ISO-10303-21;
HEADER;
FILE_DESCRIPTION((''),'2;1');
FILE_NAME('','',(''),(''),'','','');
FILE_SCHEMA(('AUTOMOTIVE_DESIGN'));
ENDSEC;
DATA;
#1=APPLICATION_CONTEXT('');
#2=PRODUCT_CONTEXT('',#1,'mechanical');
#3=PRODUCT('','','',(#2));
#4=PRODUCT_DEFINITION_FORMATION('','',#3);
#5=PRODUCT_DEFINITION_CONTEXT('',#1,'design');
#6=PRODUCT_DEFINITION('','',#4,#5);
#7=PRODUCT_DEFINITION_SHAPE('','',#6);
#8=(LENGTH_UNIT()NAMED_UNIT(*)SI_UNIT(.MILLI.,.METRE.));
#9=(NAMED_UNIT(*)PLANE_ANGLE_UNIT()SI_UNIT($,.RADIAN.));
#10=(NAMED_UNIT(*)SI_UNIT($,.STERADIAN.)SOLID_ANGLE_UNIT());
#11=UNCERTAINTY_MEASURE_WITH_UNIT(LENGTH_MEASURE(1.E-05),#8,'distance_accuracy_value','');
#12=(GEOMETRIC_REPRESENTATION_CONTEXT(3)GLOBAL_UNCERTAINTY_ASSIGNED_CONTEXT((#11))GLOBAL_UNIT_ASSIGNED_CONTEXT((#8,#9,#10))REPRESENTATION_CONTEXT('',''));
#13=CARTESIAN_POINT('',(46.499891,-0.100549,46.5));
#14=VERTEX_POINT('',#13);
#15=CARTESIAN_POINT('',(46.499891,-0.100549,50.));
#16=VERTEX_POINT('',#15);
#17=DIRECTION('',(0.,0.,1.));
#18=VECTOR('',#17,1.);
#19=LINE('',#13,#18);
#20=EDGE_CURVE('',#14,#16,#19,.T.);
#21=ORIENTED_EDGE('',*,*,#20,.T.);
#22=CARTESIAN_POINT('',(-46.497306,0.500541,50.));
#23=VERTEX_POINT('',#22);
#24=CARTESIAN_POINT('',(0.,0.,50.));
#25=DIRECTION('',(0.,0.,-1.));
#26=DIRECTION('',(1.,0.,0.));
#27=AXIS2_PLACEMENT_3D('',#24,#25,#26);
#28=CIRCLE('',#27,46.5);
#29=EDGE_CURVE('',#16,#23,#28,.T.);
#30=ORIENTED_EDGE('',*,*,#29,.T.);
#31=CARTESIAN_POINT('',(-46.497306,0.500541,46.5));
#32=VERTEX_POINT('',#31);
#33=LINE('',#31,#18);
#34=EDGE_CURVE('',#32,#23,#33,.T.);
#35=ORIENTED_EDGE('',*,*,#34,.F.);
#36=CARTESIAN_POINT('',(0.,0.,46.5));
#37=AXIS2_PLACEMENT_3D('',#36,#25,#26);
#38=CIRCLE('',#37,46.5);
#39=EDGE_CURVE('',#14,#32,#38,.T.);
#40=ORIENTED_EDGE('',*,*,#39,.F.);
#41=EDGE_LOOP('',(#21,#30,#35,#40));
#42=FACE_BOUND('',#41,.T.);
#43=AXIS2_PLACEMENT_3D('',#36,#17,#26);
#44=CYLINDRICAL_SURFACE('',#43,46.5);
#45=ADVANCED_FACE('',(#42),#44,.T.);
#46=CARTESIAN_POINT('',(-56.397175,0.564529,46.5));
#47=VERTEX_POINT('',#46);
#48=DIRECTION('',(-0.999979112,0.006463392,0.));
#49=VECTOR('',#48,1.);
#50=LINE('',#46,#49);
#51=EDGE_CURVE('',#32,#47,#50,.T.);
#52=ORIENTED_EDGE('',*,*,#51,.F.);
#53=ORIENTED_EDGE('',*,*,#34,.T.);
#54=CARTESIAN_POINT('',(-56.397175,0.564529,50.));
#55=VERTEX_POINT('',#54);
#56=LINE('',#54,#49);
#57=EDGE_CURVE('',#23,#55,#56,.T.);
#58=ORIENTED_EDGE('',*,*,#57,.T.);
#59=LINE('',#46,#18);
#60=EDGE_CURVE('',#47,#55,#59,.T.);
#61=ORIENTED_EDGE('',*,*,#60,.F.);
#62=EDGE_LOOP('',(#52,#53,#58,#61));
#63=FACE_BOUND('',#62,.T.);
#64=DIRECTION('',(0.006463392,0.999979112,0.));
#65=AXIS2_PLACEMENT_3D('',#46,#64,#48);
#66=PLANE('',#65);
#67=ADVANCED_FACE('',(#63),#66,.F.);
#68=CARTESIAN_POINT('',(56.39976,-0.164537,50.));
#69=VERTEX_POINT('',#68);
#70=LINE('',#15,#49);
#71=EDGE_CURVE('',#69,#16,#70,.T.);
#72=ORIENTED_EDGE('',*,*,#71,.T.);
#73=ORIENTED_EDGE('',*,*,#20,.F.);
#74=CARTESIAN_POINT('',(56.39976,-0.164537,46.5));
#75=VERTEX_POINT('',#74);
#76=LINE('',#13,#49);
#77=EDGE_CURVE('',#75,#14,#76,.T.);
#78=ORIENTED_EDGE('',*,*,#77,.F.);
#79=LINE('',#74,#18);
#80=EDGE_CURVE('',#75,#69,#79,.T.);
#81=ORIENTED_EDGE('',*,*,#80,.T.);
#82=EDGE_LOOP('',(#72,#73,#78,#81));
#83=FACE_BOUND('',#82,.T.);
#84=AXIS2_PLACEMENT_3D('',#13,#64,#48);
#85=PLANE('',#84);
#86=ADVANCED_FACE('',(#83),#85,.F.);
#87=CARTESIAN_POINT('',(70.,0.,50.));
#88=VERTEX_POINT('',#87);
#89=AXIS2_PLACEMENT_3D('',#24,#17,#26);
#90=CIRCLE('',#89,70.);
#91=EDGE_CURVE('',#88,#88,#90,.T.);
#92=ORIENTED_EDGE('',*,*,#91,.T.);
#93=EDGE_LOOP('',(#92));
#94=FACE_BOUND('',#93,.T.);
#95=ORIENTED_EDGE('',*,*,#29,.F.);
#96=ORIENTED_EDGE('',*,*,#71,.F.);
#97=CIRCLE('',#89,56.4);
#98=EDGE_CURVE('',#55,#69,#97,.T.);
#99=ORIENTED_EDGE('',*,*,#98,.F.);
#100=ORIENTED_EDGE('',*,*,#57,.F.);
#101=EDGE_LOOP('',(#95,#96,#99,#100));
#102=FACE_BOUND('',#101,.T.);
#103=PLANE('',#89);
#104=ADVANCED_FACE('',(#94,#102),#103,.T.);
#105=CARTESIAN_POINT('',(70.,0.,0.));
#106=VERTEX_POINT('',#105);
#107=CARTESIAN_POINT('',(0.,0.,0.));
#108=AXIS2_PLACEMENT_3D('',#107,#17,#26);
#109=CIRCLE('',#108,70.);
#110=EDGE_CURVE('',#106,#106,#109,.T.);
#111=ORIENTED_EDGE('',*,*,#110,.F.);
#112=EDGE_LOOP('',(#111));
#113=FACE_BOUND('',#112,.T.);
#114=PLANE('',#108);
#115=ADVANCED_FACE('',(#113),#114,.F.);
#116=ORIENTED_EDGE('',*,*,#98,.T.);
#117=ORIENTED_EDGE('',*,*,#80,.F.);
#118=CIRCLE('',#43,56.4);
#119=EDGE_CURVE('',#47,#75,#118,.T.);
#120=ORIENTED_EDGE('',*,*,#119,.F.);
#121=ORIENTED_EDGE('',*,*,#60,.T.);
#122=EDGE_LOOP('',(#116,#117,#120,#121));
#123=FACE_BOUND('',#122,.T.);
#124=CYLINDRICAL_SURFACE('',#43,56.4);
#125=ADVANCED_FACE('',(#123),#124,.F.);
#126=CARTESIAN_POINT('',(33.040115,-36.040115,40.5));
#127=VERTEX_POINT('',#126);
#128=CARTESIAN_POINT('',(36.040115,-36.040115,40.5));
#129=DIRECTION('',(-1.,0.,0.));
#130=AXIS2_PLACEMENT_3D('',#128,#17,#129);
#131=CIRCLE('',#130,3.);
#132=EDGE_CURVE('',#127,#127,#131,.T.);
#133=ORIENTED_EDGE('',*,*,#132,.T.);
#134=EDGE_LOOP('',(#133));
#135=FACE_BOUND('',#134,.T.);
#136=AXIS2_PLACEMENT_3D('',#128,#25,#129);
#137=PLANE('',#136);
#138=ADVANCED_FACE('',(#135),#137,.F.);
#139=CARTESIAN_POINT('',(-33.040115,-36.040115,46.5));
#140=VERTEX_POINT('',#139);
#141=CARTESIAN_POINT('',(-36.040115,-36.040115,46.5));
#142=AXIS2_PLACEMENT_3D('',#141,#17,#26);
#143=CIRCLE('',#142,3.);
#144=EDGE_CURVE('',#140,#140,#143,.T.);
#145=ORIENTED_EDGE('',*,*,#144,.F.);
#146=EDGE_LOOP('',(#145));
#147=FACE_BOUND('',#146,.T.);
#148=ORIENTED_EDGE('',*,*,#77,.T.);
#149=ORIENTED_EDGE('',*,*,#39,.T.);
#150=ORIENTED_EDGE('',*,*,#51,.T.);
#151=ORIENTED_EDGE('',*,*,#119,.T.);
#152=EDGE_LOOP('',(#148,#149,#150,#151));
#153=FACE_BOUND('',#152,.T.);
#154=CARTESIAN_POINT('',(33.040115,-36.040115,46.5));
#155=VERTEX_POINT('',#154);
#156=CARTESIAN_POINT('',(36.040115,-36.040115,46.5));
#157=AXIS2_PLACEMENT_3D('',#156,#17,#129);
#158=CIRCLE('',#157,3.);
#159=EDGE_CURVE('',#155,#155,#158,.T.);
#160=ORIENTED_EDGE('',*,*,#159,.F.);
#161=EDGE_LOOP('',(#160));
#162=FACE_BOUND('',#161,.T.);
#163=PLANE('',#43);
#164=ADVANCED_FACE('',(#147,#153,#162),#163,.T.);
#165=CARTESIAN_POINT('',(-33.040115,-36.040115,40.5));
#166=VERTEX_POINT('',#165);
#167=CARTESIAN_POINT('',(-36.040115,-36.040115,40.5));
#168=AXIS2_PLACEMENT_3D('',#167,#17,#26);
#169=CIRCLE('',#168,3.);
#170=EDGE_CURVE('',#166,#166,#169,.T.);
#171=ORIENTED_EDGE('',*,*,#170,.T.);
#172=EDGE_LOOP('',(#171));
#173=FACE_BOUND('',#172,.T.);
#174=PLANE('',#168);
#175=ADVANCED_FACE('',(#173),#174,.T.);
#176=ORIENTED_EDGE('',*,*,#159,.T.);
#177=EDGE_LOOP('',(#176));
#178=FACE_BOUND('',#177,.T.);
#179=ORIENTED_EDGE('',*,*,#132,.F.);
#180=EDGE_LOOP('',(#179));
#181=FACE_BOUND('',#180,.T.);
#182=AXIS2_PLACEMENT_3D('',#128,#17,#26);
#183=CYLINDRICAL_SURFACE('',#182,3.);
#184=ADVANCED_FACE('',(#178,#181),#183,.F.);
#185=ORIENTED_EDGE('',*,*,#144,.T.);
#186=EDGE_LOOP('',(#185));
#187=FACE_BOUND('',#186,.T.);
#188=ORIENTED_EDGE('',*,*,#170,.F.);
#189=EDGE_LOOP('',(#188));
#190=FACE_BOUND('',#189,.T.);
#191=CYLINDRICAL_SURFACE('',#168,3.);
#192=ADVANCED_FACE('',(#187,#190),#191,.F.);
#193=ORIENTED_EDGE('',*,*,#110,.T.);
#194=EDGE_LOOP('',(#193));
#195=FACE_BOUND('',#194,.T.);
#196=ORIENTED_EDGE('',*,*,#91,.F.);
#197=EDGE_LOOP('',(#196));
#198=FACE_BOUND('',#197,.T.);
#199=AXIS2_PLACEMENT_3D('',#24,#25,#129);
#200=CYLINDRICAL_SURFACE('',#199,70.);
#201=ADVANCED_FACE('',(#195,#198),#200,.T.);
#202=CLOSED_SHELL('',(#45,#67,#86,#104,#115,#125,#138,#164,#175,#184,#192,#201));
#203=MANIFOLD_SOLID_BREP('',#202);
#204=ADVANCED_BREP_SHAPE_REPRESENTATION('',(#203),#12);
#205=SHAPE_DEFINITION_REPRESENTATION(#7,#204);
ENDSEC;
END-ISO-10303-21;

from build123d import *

# Parameters (mm, degrees)
SKETCH_1_R          = 70
EXTRUDE_1_DEPTH     = 50
CUT_EXTRUDE_1_DEPTH = 3.5
SKETCH_4_R          = 3
CUT_EXTRUDE_2_DEPTH = 6


with BuildPart() as part:
    # 스케치1 → 보스-돌출1 (new body)
    with BuildSketch(Plane.XY):
        Circle(SKETCH_1_R)
    extrude(amount=EXTRUDE_1_DEPTH)

    # 스케치3 → 컷-돌출1 (cut)
    with BuildSketch(Plane.XY.offset(50)):
        with BuildLine():
            Line((-56.397174638, 0.564528852), (-46.497305932, 0.500540781))
            ThreePointArc((-46.497305932, 0.500540781), (-0.300547739, -46.499028711), (46.499891289, -0.100549136))
            Line((46.499891289, -0.100549136), (56.399759995, -0.164537207))
            ThreePointArc((56.399759995, -0.164537207), (-0.364535322, -56.39882192), (-56.397174638, 0.564528852))
        make_face()
    extrude(amount=-CUT_EXTRUDE_1_DEPTH, mode=Mode.SUBTRACT)

    # 스케치4 → 컷-돌출2 (cut)
    with BuildSketch(Plane.XY.offset(46.5)):
        with Locations((-36.040115251, -36.040115251)):
            Circle(SKETCH_4_R)
        with Locations(Location((36.040115251, -36.040115251, 0), (0, 0, 180))):
            Circle(SKETCH_4_R)
    extrude(amount=-CUT_EXTRUDE_2_DEPTH, mode=Mode.SUBTRACT)


solid = part.part
